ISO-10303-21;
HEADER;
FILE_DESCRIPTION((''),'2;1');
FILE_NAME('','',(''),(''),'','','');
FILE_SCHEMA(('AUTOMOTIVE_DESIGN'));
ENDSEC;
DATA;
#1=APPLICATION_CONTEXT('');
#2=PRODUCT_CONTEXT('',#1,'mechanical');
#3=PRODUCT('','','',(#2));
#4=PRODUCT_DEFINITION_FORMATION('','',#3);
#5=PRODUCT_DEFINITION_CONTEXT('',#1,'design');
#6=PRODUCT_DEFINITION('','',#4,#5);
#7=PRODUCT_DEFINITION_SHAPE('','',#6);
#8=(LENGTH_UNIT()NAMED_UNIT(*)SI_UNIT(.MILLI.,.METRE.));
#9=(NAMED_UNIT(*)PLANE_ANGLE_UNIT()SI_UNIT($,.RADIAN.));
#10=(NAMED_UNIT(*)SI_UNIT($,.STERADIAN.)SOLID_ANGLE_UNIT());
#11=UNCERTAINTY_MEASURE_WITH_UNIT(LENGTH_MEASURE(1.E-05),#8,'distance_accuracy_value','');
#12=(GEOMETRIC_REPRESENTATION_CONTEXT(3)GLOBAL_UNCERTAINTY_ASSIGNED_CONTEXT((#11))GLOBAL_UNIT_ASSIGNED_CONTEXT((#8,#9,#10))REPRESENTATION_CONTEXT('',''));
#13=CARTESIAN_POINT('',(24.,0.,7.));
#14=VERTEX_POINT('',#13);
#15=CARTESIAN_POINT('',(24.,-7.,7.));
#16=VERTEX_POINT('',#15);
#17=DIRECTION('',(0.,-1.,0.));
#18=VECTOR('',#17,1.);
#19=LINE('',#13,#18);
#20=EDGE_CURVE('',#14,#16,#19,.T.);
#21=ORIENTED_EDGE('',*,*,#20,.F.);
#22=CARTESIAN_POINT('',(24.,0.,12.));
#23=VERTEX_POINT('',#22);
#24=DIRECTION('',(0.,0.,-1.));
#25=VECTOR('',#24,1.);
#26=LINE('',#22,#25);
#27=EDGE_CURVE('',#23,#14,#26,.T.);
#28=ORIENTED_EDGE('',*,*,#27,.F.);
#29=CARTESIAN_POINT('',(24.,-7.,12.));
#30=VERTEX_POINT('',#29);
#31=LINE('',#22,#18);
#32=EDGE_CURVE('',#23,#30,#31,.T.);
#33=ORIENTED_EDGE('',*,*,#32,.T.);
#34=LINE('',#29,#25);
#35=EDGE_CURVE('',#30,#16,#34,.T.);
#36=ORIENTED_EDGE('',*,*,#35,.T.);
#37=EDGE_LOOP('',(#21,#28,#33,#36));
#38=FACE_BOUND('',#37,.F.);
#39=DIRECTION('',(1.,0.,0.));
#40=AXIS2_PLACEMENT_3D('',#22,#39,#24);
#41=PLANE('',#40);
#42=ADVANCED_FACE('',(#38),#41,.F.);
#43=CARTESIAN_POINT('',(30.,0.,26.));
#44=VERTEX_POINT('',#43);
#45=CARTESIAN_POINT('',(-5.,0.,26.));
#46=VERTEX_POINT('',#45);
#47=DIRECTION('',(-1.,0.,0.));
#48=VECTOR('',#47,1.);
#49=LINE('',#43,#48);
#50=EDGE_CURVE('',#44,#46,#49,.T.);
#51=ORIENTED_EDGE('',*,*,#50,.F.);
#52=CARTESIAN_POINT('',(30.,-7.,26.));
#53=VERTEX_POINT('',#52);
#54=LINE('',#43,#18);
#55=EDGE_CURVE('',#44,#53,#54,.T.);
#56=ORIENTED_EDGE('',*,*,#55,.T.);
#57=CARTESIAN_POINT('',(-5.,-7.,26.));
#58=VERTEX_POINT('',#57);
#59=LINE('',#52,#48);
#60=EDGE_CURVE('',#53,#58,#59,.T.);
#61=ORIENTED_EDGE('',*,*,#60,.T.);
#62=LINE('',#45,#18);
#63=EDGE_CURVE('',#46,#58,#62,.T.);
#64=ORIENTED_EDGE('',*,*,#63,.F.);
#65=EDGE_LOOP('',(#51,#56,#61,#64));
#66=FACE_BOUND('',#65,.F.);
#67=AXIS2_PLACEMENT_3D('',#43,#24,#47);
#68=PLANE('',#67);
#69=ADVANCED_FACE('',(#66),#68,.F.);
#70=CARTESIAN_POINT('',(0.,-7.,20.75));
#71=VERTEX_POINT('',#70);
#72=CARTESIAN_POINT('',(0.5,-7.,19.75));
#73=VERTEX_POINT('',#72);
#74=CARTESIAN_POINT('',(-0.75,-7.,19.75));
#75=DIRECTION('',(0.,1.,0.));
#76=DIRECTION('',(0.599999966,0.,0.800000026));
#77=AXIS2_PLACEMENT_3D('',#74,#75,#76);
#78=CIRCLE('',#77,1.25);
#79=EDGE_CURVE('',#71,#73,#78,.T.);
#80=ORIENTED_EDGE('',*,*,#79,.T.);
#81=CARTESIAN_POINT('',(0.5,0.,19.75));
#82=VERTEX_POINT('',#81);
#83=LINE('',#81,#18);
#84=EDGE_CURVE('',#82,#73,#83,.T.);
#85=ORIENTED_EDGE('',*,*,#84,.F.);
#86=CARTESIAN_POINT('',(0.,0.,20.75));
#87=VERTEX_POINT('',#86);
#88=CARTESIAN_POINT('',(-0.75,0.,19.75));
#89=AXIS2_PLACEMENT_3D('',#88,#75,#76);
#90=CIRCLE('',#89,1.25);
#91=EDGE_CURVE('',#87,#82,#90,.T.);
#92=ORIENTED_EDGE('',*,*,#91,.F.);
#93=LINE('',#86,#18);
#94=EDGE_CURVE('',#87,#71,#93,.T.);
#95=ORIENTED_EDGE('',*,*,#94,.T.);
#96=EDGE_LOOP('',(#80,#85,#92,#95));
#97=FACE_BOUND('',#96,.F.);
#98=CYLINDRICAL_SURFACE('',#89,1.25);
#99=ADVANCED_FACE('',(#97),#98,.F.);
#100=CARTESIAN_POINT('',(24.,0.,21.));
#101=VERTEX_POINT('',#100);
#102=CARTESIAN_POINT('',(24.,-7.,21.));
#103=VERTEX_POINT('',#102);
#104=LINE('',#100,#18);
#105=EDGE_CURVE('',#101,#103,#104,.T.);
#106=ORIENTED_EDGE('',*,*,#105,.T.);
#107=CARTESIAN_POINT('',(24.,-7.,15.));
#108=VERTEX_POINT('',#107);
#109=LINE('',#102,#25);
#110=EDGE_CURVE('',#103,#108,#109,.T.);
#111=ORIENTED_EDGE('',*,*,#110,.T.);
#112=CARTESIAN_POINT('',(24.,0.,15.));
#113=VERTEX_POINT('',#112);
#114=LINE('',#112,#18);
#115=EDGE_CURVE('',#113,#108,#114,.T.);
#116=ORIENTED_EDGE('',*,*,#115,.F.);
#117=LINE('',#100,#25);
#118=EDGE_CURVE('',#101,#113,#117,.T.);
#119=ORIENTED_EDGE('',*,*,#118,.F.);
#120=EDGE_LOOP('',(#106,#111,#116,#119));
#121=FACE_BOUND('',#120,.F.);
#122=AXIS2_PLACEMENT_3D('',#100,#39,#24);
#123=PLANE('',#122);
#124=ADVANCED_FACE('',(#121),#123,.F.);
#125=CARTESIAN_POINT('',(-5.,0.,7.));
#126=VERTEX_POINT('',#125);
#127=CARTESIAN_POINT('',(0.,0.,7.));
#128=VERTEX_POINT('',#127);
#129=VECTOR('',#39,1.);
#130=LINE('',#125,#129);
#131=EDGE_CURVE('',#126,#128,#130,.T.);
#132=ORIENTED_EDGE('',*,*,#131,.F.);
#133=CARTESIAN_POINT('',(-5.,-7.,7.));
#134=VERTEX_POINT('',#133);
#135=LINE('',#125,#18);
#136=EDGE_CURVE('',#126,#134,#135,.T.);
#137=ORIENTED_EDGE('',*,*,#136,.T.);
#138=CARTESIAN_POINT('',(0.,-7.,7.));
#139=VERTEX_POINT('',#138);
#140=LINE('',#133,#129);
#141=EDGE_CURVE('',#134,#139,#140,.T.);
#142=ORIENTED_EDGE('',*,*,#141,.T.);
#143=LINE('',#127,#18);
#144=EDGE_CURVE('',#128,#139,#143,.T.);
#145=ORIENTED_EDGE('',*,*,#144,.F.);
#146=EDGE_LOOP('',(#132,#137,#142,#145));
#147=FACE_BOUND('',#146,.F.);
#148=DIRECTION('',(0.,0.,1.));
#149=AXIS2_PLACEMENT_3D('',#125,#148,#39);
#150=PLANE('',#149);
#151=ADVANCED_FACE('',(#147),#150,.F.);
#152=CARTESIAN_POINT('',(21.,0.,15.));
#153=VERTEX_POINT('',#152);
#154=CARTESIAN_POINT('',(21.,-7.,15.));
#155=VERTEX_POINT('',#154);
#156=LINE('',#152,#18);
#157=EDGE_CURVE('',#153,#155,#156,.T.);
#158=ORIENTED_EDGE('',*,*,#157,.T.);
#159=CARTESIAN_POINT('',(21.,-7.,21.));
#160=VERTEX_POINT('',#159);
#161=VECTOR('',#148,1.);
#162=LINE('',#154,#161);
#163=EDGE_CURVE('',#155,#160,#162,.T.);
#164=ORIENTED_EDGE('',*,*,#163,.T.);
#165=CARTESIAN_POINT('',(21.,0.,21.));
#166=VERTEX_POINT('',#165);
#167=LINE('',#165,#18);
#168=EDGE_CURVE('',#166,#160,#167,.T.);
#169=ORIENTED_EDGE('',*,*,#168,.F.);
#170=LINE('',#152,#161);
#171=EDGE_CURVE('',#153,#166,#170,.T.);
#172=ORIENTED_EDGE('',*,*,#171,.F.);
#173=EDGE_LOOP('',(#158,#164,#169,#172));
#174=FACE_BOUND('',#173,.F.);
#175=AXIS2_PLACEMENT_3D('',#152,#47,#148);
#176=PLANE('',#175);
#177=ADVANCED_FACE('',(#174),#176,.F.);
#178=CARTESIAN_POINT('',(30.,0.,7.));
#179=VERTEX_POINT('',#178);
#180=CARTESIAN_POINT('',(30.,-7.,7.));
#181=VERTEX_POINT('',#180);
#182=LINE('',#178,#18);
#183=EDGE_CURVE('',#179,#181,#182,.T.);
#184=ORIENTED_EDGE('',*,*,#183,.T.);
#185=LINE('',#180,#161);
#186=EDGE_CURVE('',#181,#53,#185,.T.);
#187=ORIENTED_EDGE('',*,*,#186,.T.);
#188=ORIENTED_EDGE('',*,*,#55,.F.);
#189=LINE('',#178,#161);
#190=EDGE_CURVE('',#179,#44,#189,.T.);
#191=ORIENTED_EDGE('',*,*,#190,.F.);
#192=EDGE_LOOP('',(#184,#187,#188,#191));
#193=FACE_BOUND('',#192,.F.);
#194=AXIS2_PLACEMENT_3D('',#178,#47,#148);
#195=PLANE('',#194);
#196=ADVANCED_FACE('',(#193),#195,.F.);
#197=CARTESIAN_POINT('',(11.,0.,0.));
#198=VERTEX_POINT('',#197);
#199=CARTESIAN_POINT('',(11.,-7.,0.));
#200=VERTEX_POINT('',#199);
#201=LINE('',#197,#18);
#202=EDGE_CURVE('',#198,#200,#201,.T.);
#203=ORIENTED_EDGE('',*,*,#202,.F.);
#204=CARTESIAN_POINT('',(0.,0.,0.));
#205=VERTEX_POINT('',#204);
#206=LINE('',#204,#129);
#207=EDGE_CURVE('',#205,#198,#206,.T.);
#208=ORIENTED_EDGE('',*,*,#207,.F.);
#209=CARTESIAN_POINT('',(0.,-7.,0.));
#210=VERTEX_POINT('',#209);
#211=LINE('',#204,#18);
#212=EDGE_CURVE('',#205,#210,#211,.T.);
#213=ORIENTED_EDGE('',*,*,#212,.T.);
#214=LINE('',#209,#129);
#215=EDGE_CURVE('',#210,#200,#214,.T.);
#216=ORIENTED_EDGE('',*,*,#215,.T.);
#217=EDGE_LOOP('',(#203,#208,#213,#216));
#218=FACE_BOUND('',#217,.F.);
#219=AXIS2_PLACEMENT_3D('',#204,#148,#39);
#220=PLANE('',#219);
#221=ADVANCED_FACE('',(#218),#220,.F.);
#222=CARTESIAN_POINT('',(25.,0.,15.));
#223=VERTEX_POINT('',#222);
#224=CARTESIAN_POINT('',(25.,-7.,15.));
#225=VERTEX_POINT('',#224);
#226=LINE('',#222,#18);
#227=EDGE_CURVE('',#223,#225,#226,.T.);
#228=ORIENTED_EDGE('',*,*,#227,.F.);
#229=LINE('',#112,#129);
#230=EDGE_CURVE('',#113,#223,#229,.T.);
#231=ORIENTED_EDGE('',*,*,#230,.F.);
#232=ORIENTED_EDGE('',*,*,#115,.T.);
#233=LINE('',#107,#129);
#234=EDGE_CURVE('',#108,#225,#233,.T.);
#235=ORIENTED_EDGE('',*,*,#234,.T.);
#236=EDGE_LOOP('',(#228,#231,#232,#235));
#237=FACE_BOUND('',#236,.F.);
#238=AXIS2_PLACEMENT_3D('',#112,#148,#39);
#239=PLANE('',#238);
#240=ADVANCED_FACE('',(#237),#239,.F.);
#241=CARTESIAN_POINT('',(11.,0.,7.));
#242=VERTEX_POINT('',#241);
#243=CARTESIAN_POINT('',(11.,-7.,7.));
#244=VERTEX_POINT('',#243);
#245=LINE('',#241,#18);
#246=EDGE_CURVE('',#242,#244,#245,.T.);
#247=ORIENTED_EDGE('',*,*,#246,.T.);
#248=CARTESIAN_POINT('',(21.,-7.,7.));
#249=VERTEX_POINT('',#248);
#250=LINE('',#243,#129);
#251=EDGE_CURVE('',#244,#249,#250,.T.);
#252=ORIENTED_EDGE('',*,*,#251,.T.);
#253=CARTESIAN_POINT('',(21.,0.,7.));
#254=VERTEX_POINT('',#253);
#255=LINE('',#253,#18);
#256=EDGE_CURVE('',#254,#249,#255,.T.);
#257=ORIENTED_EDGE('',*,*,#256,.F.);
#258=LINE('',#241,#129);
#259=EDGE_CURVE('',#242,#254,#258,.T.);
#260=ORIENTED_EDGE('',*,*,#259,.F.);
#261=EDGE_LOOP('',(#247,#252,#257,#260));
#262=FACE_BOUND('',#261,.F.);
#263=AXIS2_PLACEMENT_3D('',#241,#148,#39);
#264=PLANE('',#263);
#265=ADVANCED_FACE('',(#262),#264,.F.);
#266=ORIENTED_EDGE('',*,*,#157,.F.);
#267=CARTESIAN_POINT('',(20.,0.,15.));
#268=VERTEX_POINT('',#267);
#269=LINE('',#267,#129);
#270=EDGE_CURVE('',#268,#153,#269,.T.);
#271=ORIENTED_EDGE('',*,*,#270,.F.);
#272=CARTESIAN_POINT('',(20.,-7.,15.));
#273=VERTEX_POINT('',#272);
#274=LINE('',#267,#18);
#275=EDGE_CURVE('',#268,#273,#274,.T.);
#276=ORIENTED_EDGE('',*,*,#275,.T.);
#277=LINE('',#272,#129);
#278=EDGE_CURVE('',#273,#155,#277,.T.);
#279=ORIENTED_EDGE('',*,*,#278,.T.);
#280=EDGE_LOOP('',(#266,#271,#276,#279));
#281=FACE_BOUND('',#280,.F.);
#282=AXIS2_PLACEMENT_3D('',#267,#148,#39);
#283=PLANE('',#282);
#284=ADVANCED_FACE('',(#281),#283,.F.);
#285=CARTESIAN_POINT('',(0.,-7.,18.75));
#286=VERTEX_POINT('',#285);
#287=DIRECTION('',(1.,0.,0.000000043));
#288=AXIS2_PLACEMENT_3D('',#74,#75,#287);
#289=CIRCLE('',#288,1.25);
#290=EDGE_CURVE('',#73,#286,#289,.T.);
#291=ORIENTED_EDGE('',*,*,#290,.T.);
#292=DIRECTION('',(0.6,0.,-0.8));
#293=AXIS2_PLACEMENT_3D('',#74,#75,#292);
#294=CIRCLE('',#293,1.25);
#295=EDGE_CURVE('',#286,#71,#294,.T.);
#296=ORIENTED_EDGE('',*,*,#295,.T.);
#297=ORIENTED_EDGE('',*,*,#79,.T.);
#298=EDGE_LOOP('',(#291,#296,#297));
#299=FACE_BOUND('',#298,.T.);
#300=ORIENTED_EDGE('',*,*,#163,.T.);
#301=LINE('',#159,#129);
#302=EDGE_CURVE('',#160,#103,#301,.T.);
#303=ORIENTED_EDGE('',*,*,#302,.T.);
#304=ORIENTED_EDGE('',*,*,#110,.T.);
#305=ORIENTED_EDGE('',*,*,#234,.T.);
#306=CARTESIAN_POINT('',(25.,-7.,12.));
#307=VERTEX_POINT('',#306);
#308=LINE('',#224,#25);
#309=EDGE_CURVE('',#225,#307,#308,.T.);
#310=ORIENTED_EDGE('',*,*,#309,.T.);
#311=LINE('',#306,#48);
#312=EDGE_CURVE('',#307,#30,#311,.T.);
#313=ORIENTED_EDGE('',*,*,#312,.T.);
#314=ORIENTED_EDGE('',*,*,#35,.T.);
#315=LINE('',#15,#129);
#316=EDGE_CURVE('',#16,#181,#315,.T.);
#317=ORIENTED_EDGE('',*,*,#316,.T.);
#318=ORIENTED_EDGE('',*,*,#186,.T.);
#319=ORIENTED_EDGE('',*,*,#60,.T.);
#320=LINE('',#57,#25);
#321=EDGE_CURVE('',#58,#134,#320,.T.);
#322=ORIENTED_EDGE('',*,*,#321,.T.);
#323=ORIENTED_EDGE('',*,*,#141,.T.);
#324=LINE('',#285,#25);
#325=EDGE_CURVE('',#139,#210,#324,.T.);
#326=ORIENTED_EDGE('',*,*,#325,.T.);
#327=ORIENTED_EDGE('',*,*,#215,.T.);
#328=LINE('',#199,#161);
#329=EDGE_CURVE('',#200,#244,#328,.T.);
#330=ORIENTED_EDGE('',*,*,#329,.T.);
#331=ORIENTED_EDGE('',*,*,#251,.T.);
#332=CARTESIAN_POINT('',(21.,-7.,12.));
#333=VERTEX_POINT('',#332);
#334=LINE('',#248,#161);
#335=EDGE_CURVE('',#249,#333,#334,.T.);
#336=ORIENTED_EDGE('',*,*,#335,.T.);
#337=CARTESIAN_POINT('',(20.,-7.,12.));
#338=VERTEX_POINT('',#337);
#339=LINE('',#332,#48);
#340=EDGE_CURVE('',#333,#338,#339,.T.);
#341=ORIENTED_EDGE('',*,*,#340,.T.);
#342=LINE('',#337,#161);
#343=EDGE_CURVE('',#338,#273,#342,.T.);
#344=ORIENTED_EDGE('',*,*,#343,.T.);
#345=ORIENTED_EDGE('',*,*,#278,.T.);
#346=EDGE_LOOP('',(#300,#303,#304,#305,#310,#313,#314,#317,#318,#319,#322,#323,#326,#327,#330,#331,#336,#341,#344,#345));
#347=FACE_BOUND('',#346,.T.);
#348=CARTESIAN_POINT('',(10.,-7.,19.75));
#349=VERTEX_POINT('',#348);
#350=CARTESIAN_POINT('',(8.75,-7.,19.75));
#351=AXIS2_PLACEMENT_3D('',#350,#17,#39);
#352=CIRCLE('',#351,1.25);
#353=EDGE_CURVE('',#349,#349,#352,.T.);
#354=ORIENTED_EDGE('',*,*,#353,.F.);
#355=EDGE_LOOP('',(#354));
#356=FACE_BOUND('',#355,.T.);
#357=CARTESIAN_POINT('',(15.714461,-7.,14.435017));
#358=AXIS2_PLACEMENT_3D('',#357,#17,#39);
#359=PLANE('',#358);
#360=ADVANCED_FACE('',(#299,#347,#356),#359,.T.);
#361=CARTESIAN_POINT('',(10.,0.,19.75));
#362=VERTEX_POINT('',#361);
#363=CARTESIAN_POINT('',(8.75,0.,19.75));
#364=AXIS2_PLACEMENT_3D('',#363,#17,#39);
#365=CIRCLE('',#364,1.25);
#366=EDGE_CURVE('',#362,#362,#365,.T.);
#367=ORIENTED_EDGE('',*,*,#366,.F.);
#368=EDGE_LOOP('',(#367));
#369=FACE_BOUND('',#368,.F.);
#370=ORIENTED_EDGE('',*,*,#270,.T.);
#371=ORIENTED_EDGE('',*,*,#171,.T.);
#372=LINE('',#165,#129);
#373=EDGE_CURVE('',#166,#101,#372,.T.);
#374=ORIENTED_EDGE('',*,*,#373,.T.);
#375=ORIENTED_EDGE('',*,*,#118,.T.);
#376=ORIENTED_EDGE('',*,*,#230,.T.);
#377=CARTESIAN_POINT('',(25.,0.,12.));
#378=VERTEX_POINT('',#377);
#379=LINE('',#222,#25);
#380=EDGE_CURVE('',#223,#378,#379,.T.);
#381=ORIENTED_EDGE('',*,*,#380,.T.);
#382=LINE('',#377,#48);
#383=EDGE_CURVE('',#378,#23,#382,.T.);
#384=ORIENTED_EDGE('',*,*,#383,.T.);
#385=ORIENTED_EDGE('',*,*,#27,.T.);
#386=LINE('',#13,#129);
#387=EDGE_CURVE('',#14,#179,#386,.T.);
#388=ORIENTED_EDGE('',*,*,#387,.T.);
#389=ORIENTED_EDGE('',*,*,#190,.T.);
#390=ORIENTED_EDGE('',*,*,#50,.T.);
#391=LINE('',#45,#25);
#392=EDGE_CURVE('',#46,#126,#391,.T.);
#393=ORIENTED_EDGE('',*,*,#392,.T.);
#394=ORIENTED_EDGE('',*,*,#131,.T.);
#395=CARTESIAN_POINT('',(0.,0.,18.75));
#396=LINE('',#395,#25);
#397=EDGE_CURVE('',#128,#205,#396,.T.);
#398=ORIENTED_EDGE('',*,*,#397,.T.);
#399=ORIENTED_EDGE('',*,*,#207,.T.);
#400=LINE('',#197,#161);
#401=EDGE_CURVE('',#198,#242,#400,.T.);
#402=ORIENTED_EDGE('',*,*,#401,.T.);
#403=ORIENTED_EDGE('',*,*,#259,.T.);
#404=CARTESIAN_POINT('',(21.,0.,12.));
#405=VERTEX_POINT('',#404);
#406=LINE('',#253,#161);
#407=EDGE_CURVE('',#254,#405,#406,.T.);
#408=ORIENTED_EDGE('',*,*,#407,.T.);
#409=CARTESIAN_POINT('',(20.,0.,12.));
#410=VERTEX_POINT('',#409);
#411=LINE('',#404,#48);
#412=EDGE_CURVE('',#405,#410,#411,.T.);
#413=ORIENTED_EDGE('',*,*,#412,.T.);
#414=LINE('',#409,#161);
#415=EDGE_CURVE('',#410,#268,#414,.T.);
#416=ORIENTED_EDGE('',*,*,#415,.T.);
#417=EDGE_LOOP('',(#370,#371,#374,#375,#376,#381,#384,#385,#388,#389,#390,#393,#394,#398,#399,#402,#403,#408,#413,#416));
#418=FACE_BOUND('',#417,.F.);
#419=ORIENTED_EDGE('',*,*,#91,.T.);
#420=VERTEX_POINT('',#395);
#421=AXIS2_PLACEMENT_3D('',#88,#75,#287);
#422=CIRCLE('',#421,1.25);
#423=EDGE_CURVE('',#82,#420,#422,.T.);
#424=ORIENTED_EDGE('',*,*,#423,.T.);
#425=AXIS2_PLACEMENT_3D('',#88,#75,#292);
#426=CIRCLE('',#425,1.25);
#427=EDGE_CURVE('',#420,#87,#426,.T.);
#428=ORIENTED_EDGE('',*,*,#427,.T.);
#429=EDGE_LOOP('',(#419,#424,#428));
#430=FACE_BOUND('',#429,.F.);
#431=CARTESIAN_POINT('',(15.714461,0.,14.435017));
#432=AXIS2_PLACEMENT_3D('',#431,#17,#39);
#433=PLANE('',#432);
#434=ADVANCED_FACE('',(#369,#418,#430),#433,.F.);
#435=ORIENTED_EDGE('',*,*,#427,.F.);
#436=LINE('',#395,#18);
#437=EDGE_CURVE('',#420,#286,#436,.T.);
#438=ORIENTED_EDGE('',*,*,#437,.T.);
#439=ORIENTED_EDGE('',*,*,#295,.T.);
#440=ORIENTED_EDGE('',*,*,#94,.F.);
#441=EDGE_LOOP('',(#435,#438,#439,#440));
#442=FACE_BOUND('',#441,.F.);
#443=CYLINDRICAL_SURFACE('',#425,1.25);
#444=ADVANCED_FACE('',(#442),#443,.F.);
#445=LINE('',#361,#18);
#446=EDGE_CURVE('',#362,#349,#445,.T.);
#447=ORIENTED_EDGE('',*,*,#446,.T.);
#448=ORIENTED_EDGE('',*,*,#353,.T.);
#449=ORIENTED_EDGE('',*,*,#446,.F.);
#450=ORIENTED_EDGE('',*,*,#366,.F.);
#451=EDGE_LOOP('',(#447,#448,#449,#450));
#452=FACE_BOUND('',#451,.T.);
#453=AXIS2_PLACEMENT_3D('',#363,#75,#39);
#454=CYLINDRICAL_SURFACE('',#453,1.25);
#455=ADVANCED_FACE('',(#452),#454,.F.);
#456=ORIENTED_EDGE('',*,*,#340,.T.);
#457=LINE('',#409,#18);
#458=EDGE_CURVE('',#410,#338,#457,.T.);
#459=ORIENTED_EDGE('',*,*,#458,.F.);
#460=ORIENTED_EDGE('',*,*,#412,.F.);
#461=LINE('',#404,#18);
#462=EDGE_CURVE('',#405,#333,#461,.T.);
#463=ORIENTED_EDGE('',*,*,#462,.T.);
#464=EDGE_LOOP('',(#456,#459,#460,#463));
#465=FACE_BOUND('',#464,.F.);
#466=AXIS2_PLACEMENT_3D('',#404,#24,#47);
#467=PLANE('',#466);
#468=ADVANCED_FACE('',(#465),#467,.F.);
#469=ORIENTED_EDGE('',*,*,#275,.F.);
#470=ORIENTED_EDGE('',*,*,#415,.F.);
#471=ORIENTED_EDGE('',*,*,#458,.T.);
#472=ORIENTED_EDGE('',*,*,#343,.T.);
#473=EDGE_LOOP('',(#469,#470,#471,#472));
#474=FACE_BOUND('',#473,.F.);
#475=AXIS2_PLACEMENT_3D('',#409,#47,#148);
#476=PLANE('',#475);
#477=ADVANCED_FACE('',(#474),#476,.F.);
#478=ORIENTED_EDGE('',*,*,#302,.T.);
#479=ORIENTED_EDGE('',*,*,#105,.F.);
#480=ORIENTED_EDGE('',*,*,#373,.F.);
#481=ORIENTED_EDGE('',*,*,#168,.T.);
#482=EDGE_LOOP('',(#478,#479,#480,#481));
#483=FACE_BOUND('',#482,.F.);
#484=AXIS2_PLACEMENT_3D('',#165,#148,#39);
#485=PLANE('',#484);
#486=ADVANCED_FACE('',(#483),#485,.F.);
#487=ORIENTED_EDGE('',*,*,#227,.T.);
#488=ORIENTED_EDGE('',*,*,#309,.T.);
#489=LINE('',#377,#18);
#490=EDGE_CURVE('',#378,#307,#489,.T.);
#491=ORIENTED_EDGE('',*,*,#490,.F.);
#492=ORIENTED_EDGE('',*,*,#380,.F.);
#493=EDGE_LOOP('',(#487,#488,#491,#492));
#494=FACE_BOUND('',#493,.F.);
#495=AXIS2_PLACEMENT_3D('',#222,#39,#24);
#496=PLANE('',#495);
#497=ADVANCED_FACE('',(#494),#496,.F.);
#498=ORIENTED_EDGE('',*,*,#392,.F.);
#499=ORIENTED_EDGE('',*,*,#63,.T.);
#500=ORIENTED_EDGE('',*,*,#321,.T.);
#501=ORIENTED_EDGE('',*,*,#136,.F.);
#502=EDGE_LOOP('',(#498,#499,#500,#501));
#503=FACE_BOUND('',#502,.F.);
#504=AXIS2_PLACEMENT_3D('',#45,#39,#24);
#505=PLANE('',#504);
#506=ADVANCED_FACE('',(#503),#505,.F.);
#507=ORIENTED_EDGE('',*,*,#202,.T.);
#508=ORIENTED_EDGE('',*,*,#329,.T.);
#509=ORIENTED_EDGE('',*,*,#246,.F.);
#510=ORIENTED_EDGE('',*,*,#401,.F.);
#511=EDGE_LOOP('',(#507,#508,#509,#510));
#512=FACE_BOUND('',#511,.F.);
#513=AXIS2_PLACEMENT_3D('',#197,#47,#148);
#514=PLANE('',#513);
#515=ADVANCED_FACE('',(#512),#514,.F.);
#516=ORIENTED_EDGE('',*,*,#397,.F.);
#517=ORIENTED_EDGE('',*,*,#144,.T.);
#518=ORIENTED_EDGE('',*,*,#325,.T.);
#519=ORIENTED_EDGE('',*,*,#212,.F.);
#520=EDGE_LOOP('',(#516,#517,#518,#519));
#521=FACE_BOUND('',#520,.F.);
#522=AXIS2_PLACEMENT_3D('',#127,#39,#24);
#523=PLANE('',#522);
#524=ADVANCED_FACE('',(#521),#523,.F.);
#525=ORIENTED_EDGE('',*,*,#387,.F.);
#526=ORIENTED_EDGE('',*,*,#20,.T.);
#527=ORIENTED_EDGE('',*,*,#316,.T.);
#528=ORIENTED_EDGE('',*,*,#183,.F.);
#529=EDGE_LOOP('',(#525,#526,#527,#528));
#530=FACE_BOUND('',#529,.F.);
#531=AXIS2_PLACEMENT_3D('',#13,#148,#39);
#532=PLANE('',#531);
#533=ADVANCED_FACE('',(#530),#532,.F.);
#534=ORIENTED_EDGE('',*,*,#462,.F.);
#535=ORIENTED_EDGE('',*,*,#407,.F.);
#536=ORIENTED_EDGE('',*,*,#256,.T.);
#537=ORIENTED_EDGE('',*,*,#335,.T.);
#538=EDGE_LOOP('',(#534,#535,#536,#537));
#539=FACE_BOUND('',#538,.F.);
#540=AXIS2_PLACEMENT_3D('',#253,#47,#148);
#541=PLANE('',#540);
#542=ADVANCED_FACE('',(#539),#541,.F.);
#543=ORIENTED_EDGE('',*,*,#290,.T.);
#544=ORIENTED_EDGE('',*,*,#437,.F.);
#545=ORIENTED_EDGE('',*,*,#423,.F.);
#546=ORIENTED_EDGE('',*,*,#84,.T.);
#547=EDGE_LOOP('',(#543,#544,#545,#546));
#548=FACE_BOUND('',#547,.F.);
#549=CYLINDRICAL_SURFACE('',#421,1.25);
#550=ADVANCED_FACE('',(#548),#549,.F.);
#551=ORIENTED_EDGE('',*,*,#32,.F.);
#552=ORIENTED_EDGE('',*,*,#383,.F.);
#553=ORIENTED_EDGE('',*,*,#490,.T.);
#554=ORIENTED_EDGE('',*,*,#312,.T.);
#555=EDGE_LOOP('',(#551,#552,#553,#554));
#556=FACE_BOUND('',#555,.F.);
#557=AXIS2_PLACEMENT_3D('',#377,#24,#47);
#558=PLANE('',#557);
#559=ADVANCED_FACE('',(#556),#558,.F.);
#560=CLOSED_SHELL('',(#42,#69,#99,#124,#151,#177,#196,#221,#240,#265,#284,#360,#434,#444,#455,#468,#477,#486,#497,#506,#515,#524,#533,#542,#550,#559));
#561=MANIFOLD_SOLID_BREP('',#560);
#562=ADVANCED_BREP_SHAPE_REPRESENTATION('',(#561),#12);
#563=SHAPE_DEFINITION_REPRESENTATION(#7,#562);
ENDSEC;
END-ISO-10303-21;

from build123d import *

# Parameters (mm, degrees)
F0_R     = 1.25
F1_DEPTH = 7


with BuildPart() as f1:
    # F0 (on Front) → F1 (new body)
    with BuildSketch(Plane.XZ):
        with BuildLine():
            Line((0, 7), (0, 0))
            Line((0, 0), (11, 0))
            Line((11, 0), (11, 7))
            Line((11, 7), (21, 7))
            Line((21, 7), (21, 12))
            Line((21, 12), (20, 12))
            Line((20, 12), (20, 15))
            Line((20, 15), (21, 15))
            Line((21, 15), (21, 21))
            Line((21, 21), (24, 21))
            Line((24, 21), (24, 15))
            Line((24, 15), (25, 15))
            Line((25, 15), (25, 12))
            Line((25, 12), (24, 12))
            Line((24, 12), (24, 7))
            Line((24, 7), (30, 7))
            Line((30, 7), (30, 26))
            Line((30, 26), (0, 26))
            Line((0, 26), (0, 20.75))
            ThreePointArc((0, 20.75), (0.368034, 20.309017), (0.5, 19.75))
            ThreePointArc((0.5, 19.75), (0.368034, 19.190983), (0, 18.75))
            Line((0, 18.75), (0, 7))
        make_face()
        with Locations((8.75, 19.75)):
            Circle(F0_R, mode=Mode.SUBTRACT)
        with BuildLine():
            Line((-5, 7), (0, 7))
            Line((0, 7), (0, 18.75))
            ThreePointArc((0, 18.75), (-2, 19.75), (0, 20.75))
            Line((0, 20.75), (0, 26))
            Line((0, 26), (-5, 26))
            Line((-5, 26), (-5, 7))
        make_face()
    extrude(amount=F1_DEPTH)


solid = f1.part
